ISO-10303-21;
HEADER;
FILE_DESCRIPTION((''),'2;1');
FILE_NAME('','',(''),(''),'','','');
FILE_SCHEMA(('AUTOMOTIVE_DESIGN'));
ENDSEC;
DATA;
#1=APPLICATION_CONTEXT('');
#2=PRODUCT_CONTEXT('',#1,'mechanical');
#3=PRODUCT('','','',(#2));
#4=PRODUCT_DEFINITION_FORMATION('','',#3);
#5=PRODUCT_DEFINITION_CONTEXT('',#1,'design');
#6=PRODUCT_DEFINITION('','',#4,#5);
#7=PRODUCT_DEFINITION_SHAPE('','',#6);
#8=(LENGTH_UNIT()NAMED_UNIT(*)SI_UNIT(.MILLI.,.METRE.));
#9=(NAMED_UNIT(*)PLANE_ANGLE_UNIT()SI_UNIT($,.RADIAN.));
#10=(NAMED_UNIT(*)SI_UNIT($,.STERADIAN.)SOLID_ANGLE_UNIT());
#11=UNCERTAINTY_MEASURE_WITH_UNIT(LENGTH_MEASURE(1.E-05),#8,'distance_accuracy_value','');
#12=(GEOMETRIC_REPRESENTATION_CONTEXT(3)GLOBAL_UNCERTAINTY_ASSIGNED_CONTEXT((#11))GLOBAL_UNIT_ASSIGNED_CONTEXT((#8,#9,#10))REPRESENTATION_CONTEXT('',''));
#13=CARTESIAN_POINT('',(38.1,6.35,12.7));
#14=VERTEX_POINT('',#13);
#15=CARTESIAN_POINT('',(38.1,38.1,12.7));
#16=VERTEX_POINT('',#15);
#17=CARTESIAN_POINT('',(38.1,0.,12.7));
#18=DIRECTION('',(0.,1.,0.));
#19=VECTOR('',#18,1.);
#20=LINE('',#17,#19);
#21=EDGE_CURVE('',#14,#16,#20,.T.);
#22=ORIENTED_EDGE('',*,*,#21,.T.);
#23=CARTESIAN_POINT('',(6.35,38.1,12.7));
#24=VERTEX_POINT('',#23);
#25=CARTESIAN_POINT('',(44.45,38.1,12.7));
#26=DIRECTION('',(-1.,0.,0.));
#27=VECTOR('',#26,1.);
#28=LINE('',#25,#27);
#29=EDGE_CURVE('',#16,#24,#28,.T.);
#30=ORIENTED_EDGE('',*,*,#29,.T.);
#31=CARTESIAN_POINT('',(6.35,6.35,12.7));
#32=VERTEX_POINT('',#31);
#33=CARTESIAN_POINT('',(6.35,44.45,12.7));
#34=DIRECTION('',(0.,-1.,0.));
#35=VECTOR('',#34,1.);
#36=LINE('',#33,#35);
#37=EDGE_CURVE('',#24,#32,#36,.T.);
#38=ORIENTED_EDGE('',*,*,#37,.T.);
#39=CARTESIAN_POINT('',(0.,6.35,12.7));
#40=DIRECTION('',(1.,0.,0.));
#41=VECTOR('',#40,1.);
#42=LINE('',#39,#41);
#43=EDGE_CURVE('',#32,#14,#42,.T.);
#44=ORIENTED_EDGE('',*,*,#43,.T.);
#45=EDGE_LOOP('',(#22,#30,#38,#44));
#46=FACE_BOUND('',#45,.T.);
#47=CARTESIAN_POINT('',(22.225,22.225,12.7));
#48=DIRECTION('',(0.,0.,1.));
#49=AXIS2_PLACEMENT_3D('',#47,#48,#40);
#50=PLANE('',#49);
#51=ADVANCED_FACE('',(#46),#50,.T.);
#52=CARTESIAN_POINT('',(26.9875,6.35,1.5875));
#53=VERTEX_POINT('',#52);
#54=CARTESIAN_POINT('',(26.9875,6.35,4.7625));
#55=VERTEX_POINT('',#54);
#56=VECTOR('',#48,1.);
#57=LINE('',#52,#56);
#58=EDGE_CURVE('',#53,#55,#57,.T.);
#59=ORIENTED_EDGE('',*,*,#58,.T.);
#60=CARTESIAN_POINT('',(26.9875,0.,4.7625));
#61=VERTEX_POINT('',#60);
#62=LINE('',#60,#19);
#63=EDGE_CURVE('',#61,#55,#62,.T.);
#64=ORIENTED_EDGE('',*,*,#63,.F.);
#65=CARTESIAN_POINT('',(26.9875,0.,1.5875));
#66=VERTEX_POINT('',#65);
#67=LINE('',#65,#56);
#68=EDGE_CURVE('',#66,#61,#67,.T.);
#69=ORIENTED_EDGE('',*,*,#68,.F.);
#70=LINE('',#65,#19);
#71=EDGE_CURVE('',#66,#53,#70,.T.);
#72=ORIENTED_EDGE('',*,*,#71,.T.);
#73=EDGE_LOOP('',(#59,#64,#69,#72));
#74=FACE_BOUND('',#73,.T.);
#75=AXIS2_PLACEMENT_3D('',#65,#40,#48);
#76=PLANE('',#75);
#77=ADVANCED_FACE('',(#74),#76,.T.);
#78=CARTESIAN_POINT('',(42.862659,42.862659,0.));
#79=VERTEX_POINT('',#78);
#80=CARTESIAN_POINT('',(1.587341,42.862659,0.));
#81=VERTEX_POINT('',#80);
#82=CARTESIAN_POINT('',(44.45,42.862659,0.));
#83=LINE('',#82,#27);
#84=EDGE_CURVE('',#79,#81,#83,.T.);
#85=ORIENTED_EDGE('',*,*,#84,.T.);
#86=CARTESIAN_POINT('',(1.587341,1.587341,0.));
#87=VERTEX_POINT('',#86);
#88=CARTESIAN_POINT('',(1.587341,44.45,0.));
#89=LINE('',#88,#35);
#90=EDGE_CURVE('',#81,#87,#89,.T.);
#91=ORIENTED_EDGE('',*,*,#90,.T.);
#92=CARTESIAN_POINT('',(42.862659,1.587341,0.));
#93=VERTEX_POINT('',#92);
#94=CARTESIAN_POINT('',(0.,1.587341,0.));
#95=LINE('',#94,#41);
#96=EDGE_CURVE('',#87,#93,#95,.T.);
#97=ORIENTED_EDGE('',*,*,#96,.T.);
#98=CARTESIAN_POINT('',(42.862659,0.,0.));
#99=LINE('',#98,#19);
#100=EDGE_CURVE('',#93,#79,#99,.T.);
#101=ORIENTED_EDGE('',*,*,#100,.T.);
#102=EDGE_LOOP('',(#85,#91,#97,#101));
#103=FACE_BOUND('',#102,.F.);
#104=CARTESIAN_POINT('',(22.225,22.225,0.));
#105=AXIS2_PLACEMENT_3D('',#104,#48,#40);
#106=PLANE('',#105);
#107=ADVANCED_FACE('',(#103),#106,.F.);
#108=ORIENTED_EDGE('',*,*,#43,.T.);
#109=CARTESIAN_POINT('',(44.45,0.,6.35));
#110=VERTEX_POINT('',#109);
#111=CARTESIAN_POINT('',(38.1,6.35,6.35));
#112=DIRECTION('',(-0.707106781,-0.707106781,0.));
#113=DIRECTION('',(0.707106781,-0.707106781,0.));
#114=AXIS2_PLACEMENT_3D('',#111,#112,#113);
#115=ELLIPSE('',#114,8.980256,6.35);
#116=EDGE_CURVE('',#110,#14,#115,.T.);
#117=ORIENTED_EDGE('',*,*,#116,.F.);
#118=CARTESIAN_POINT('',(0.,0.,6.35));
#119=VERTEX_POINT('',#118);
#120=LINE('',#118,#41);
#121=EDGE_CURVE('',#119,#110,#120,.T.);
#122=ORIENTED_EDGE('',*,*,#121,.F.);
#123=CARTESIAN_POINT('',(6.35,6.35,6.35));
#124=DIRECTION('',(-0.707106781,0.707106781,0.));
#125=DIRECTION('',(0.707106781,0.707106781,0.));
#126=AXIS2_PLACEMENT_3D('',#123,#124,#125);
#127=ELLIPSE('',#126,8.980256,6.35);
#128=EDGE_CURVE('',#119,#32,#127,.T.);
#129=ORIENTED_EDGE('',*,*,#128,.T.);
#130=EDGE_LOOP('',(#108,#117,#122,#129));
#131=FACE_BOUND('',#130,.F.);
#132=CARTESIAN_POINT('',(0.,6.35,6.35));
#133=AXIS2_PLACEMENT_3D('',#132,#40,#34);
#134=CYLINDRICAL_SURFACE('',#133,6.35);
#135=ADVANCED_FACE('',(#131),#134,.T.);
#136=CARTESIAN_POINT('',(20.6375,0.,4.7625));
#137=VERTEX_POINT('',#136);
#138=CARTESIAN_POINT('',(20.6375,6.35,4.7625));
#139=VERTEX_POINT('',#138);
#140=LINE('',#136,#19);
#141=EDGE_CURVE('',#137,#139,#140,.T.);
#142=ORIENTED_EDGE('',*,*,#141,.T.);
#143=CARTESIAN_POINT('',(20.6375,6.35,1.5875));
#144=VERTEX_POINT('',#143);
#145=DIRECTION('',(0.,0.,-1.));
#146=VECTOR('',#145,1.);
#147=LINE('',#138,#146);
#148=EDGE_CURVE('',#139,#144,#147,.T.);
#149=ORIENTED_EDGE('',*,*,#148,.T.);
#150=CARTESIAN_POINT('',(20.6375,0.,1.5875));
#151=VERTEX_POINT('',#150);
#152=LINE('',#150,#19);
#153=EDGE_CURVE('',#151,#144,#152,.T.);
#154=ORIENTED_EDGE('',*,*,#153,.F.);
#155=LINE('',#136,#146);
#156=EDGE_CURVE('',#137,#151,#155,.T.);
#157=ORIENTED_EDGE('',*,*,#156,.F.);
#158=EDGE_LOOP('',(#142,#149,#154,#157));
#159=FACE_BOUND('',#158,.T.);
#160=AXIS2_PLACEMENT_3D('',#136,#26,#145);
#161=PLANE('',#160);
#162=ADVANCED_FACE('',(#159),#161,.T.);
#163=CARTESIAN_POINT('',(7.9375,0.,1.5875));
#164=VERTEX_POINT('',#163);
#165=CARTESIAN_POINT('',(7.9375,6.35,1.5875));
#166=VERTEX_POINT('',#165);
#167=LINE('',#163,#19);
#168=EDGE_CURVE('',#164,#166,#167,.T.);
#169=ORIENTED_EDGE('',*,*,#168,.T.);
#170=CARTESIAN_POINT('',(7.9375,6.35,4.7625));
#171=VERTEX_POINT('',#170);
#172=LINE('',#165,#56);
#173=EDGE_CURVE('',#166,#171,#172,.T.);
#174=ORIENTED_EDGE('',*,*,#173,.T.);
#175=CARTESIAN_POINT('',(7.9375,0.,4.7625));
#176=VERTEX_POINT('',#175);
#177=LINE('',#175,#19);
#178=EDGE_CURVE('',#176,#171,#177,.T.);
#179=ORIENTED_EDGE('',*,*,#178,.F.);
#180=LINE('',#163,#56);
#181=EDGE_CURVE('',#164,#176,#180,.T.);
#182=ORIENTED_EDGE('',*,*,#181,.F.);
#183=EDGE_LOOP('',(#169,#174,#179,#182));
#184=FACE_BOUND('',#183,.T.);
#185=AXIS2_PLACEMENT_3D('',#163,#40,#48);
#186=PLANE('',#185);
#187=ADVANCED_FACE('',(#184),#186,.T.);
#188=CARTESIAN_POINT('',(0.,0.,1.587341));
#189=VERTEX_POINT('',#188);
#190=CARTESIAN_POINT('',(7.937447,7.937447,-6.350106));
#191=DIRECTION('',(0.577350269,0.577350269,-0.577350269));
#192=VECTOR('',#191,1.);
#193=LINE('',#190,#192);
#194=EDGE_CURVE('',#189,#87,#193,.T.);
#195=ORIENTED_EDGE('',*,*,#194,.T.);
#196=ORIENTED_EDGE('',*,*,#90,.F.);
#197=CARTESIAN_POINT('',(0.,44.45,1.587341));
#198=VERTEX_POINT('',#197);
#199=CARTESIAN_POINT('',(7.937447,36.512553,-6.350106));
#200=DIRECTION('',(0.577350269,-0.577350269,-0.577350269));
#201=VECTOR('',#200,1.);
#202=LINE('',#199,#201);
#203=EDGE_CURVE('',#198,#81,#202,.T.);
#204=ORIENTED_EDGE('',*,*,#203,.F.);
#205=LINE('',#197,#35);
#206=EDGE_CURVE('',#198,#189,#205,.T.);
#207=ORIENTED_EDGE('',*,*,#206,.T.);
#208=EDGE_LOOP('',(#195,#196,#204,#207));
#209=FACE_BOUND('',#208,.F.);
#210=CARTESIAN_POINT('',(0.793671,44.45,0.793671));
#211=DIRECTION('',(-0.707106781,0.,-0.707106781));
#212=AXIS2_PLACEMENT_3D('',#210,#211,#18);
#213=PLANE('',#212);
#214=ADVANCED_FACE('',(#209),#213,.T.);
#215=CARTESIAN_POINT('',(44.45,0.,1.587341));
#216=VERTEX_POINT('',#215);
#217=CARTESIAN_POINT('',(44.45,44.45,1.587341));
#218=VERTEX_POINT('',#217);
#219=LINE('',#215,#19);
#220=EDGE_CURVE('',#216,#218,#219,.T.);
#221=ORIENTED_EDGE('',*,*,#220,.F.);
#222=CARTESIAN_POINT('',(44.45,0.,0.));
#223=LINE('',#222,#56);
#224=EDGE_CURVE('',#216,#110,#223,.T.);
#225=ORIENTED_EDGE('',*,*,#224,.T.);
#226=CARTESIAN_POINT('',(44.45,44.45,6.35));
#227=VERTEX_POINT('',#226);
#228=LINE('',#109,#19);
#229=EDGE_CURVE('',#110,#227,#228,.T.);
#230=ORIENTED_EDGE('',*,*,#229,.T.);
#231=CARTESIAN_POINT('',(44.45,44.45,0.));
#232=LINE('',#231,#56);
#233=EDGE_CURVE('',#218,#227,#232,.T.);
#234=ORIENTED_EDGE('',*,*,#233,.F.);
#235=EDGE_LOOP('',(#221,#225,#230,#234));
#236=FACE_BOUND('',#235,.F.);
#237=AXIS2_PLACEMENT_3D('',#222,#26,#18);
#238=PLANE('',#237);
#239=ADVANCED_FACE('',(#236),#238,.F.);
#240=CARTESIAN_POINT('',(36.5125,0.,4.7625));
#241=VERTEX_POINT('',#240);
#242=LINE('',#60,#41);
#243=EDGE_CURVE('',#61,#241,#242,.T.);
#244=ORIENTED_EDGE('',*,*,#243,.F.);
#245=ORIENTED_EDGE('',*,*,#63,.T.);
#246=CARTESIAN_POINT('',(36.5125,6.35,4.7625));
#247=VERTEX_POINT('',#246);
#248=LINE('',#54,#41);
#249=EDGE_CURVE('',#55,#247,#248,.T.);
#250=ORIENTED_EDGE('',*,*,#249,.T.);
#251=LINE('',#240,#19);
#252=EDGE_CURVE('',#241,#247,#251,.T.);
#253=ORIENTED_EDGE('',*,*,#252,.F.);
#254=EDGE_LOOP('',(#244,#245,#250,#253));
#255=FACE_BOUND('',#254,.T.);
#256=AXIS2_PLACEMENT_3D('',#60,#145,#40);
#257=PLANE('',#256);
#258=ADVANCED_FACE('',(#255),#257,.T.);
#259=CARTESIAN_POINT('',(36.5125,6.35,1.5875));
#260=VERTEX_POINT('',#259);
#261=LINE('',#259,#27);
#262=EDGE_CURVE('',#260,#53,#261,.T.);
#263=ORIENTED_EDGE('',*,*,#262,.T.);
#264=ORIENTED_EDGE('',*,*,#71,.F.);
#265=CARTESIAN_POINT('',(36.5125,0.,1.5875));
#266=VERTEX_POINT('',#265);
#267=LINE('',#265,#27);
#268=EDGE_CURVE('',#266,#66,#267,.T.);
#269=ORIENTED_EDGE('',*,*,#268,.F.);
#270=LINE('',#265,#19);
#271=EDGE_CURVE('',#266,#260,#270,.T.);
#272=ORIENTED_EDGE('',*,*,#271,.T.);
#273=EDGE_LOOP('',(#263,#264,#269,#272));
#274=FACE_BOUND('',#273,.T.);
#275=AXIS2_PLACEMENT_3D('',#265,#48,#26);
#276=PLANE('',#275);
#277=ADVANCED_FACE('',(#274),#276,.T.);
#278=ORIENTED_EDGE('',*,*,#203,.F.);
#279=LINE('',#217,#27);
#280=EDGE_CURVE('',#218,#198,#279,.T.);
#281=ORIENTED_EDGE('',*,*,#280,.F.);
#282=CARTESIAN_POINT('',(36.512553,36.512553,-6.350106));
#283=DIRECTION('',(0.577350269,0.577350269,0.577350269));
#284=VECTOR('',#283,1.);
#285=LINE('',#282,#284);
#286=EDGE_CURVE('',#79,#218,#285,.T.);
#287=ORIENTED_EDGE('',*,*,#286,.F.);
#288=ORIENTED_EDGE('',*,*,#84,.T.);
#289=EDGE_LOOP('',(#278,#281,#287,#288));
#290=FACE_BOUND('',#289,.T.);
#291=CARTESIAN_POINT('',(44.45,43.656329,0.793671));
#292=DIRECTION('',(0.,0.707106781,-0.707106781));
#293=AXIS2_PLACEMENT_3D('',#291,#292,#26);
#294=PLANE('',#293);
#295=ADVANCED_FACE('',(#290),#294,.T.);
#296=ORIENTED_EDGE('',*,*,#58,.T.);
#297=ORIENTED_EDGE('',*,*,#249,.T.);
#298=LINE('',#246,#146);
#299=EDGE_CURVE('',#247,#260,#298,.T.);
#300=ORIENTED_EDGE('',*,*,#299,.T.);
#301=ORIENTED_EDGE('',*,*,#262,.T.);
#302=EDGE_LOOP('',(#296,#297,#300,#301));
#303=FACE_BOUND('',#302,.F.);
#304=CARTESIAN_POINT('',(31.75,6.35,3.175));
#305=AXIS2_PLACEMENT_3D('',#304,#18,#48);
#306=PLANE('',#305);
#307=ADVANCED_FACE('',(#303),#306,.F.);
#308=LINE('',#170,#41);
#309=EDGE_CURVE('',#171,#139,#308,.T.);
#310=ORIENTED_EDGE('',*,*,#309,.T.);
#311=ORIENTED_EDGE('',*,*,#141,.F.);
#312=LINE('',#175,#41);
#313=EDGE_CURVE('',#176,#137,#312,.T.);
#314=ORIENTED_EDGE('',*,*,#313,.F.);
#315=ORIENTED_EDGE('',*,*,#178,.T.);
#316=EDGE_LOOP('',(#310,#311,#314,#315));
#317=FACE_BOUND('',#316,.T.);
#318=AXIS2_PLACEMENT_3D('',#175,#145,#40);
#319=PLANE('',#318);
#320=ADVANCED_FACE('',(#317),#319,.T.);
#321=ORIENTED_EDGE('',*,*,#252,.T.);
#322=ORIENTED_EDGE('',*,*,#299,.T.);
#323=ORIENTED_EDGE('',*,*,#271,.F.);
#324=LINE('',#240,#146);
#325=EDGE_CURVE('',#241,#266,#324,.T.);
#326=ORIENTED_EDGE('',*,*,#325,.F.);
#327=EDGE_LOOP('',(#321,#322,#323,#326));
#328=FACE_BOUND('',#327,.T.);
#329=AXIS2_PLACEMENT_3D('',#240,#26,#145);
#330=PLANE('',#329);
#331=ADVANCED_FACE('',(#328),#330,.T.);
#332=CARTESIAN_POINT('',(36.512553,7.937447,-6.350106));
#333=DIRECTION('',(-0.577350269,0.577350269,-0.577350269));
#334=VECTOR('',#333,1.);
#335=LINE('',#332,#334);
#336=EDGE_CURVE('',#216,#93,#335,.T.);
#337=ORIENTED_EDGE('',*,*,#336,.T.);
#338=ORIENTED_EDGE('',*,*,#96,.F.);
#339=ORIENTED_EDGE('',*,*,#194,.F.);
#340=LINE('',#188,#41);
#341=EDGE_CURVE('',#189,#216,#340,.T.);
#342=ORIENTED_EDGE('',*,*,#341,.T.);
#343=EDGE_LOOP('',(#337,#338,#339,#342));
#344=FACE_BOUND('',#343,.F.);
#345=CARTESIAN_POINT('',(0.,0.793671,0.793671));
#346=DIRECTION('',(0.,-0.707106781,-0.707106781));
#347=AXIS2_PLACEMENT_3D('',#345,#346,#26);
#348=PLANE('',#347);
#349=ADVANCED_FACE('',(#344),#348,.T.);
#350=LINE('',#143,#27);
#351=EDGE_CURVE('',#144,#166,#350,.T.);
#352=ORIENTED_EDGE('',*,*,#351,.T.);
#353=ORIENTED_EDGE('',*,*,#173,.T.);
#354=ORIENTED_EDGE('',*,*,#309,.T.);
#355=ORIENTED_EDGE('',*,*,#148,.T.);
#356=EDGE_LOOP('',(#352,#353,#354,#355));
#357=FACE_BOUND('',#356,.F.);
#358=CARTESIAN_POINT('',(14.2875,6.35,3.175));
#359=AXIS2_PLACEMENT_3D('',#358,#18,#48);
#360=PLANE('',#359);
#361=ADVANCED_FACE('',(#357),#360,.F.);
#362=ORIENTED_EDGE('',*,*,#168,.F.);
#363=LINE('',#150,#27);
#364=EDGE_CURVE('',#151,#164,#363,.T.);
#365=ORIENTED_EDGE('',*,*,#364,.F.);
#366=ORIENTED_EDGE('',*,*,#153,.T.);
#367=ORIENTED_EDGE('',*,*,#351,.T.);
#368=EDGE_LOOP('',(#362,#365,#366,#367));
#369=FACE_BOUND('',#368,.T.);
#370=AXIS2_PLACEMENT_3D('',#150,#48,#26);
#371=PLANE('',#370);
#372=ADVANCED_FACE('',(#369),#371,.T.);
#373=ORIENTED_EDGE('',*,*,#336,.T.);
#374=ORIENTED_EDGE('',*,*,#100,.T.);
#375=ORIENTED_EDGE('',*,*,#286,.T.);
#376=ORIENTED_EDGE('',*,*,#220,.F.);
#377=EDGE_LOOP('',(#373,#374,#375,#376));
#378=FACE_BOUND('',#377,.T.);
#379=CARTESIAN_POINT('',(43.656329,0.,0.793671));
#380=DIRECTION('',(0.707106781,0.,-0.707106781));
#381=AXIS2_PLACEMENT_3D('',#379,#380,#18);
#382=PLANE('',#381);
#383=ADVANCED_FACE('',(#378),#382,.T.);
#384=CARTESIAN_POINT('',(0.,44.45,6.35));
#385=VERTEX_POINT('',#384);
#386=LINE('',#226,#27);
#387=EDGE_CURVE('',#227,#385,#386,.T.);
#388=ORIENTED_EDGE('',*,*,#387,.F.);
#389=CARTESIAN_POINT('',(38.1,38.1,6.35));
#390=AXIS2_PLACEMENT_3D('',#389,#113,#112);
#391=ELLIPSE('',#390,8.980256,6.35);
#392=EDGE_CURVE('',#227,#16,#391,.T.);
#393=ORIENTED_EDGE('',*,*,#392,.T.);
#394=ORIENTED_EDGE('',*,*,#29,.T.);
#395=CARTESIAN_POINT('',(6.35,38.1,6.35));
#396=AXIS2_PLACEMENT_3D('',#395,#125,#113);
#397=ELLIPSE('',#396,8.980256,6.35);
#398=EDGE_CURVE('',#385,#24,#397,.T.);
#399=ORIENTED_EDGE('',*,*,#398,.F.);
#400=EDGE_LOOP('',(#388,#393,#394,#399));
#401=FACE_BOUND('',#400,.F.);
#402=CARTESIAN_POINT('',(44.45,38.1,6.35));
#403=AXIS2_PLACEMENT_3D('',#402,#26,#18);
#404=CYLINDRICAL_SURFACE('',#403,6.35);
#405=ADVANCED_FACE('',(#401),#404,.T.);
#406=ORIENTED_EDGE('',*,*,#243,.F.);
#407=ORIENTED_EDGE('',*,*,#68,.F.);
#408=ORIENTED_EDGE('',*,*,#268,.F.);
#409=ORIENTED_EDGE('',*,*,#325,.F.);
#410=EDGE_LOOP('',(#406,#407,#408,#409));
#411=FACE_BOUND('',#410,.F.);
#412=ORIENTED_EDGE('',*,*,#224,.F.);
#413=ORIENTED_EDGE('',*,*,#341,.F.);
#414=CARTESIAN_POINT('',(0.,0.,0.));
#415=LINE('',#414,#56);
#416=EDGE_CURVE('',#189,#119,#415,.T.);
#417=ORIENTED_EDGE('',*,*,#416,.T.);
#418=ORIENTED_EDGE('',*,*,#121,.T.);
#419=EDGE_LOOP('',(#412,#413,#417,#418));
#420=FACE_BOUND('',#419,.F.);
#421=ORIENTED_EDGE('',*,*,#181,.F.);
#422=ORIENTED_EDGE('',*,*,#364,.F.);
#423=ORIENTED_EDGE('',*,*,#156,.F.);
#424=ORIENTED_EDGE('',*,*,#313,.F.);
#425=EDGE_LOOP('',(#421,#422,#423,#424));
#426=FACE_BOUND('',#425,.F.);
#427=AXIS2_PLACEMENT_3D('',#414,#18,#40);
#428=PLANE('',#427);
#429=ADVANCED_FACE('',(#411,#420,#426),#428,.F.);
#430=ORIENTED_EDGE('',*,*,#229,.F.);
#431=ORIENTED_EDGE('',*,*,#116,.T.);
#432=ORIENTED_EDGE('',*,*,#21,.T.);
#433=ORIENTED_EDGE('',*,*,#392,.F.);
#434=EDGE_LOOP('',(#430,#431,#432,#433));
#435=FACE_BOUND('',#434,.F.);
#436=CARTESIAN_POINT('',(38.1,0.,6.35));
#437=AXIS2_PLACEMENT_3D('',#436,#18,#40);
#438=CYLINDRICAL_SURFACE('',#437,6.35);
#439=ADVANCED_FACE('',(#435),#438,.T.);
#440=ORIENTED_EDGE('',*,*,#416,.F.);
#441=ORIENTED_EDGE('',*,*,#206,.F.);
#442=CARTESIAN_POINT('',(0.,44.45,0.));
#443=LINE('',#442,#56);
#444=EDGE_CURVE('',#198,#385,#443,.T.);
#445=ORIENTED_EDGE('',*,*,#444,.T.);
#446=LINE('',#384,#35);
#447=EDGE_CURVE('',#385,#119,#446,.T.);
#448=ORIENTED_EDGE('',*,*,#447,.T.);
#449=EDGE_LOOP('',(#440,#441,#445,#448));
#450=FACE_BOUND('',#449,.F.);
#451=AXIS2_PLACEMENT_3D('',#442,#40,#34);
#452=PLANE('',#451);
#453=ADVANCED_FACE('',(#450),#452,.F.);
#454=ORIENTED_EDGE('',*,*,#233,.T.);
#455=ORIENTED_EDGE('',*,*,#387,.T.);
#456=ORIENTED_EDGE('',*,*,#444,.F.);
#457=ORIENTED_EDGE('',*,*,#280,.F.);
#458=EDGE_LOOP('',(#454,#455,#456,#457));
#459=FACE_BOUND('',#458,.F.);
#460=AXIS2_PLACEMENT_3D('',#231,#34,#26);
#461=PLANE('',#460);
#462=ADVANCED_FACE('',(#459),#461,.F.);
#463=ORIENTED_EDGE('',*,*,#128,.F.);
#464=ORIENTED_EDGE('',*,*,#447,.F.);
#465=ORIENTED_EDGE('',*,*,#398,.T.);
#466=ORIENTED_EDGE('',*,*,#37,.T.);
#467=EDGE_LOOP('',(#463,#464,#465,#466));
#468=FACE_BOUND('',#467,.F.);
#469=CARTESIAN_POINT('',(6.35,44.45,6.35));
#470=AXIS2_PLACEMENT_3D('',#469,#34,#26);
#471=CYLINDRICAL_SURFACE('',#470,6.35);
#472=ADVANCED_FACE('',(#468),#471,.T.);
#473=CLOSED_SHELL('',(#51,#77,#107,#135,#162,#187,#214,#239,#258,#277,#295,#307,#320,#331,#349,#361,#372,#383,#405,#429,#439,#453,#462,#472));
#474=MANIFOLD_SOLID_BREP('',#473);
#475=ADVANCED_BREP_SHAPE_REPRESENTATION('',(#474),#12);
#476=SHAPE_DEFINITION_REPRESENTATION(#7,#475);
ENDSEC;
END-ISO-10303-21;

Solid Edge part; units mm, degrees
sketch "Sketch1" plane through (0, 0, 0) normal (0, 0, 1) x (1, 0, 0)
  line L0 (0, 0) -> (44.45, 0)
  line L1 (44.45, 0) -> (44.45, 44.45)
  line L2 (44.45, 44.45) -> (0, 44.45)
  line L3 (0, 44.45) -> (0, 0)
  dimension "D1" = 44.45
  dimension "D2" = 44.45
extrude "Protrusion1" add sketch "Sketch1" along normal blind 12.7
fillet "Round_1" radius 6.35 4 edges at (22.225, 0, 12.7) (0, 22.225, 12.7) (22.225, 44.45, 12.7) (44.45, 22.225, 12.7)
sketch "Sketch2" plane through (22.225, 0, 3.175) normal (0, -1, 0) x (1, 0, 0)
  line L0 (14.2875, -1.5875) -> (4.7625, -1.5875)
  line L1 (4.7625, -1.5875) -> (4.7625, 1.5875)
  line L2 (4.7625, 1.5875) -> (14.2875, 1.5875)
  line L3 (14.2875, 1.5875) -> (14.2875, -1.5875)
  line L4 (-1.5875, -1.5875) -> (-14.2875, -1.5875)
  line L5 (-14.2875, -1.5875) -> (-14.2875, 1.5875)
  line L6 (-14.2875, 1.5875) -> (-1.5875, 1.5875)
  line L7 (-1.5875, 1.5875) -> (-1.5875, -1.5875)
  dimension "D1" = 6.35
  dimension "D2" = 12.7
  dimension "D3" = 7.9375
  dimension "D4" = 9.525
  dimension "D5" = 3.175
  dimension "D6" = 1.5875
extrude "ExtrudedCutout_1" cut sketch "Sketch2" against normal blind 6.35
chamfer "Chamfer_1" distance 1.5875 angle 45 4 edges at (22.225, 0, 0) (0, 22.225, 0) (44.45, 22.225, 0) (22.225, 44.45, 0)
properties material "ABS Plastic, high impact"
